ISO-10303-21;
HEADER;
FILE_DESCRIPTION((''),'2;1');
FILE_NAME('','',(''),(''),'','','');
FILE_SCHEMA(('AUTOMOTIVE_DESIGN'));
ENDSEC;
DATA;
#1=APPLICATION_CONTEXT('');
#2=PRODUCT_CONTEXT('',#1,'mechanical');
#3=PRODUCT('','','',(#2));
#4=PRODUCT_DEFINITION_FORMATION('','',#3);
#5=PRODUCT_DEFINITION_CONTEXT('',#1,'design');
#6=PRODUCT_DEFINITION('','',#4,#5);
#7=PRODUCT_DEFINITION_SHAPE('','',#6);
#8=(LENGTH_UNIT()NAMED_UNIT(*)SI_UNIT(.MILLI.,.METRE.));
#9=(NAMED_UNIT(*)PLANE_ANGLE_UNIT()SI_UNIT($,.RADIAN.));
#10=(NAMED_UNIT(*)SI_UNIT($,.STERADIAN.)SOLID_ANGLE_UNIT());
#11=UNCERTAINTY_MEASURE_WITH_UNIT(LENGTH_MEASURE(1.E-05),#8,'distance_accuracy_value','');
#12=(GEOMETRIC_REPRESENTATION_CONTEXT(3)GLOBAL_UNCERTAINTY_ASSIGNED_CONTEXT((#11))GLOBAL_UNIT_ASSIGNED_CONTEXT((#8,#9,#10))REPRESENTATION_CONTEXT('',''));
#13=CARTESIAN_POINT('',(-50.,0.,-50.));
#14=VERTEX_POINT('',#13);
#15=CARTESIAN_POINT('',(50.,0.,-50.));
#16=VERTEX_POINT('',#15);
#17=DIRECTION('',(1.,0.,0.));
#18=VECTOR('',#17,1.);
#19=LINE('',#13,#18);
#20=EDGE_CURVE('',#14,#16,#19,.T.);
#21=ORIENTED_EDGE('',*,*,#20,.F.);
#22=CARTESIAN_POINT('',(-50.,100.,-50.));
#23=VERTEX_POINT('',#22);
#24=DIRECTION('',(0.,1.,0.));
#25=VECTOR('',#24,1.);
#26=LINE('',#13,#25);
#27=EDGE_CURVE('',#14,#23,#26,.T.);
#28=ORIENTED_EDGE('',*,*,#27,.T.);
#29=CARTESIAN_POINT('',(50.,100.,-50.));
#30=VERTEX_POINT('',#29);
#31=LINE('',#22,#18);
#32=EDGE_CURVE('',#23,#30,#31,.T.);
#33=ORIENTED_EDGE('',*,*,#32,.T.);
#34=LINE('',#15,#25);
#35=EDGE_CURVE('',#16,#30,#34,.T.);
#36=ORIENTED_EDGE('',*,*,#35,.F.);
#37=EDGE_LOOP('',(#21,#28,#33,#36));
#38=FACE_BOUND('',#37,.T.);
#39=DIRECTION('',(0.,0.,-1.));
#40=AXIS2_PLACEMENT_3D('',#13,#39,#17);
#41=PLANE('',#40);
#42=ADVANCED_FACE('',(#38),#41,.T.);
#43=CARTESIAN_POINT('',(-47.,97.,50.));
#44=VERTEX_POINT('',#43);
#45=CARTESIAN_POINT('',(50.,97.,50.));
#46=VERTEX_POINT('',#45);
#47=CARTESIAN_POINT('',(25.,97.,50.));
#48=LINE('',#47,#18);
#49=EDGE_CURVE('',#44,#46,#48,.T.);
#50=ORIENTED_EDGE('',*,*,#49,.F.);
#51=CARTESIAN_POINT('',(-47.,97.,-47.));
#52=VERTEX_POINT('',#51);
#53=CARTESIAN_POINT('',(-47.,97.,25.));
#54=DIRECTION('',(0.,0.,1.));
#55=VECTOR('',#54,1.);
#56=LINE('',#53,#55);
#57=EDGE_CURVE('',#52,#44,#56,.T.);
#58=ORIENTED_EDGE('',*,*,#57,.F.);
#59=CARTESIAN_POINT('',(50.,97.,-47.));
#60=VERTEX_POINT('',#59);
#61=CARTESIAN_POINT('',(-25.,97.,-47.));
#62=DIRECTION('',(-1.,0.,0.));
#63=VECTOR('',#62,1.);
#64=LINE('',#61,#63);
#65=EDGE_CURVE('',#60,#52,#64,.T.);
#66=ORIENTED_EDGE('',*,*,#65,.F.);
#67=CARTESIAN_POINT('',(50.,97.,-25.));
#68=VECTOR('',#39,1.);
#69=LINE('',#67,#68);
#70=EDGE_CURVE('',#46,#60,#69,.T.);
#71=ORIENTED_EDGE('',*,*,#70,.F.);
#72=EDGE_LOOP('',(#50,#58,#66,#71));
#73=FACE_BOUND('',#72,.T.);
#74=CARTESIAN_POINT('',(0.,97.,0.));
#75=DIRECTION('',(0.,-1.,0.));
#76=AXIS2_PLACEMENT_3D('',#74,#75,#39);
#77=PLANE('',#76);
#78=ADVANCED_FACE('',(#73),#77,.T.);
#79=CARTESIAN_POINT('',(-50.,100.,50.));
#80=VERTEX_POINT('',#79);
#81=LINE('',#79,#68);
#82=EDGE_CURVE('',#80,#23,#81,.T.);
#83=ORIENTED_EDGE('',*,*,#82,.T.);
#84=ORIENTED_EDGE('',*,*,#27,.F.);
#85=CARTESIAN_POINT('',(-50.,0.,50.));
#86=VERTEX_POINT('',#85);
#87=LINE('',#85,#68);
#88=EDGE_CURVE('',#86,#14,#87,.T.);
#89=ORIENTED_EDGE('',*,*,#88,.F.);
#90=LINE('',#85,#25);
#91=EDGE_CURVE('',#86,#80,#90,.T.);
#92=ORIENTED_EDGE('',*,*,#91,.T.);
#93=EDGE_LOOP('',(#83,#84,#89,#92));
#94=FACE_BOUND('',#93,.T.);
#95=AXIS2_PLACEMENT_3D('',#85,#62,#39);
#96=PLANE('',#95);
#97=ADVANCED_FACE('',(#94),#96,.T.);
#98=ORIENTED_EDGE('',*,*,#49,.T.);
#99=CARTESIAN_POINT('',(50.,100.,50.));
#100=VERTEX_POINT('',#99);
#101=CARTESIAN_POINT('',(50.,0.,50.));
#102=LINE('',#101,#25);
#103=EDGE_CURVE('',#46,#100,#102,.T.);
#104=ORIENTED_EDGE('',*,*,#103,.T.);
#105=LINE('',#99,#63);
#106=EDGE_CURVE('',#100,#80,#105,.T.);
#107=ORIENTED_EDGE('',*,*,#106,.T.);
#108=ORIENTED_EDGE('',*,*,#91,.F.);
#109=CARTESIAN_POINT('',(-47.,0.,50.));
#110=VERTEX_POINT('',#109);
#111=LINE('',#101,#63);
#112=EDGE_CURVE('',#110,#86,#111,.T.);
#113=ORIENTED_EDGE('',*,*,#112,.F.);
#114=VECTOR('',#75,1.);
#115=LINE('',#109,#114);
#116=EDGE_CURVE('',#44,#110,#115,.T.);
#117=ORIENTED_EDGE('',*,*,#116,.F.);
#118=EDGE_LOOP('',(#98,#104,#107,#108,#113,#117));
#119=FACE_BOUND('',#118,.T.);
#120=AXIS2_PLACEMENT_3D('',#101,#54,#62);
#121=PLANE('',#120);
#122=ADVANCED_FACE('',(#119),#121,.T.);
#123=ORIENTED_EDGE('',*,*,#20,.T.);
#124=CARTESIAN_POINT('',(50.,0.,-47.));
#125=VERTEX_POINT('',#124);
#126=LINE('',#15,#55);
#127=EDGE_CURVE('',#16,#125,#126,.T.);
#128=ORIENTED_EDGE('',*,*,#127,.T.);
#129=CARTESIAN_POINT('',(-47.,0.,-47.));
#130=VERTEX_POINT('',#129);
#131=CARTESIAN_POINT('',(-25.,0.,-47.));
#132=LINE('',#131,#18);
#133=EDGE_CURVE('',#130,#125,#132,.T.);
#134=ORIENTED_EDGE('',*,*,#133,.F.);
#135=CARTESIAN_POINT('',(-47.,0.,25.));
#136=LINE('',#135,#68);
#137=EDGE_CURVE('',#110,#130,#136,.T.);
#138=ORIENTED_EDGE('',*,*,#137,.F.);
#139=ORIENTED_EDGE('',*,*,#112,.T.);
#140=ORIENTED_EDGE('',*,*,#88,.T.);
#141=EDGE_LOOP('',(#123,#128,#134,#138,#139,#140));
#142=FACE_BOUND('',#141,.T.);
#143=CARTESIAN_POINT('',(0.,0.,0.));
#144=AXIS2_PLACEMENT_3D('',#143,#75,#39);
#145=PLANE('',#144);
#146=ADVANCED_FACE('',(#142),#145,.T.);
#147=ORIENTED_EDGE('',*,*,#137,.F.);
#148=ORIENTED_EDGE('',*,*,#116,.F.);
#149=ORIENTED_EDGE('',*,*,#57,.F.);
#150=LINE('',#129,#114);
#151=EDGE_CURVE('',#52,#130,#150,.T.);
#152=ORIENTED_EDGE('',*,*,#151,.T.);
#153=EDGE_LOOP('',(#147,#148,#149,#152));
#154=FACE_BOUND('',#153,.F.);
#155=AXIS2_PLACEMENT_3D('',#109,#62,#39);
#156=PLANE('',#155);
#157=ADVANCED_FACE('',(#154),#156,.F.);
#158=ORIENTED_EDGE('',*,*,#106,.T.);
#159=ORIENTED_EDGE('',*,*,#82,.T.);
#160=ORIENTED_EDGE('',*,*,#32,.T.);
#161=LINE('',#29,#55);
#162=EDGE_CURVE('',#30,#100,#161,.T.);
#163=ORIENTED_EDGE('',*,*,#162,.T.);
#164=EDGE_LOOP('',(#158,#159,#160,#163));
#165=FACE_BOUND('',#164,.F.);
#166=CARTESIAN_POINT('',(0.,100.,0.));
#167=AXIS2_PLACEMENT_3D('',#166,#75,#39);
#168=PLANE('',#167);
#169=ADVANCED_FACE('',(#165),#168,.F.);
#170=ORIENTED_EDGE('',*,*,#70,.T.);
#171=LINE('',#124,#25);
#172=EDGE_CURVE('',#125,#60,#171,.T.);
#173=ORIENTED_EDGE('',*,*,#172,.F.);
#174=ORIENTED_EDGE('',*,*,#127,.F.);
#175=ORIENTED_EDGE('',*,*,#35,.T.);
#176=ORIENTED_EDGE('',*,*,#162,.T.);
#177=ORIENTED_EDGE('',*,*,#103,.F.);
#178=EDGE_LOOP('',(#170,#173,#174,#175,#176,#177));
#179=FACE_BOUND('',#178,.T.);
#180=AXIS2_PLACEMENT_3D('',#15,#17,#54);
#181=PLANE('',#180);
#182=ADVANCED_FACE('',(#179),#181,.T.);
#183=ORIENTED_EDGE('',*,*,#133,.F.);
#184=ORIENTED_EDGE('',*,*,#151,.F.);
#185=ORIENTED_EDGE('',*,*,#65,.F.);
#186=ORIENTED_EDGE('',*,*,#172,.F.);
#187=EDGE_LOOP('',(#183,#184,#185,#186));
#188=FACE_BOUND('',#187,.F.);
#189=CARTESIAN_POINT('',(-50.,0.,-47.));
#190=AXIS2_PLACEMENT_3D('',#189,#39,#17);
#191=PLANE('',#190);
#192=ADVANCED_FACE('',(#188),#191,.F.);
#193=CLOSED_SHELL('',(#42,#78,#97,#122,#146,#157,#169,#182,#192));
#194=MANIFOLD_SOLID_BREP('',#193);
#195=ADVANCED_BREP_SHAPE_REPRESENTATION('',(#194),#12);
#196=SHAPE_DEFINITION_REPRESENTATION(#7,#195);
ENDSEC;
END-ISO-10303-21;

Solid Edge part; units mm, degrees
sketch "Sketch1" plane through (0, 0, 0) normal (0, -1, 0) x (1, 0, 0)
  line L0 (50, 50) -> (-50, 50)
  line L1 (-50, 50) -> (-50, -50)
  line L2 (-50, -50) -> (50, -50)
  line L3 (50, -50) -> (50, 50)
  dimension "D1" = 100
  dimension "D2" = 100
extrude "Protrusion1" add sketch "Sketch1" against normal blind 100
shell "Thinwall1" thickness 3 removed faces 3 at (-32.3333, 0, 34.3333) at (34.3333, 82.3333, 50) at (50, 82.3333, -34.3333)
